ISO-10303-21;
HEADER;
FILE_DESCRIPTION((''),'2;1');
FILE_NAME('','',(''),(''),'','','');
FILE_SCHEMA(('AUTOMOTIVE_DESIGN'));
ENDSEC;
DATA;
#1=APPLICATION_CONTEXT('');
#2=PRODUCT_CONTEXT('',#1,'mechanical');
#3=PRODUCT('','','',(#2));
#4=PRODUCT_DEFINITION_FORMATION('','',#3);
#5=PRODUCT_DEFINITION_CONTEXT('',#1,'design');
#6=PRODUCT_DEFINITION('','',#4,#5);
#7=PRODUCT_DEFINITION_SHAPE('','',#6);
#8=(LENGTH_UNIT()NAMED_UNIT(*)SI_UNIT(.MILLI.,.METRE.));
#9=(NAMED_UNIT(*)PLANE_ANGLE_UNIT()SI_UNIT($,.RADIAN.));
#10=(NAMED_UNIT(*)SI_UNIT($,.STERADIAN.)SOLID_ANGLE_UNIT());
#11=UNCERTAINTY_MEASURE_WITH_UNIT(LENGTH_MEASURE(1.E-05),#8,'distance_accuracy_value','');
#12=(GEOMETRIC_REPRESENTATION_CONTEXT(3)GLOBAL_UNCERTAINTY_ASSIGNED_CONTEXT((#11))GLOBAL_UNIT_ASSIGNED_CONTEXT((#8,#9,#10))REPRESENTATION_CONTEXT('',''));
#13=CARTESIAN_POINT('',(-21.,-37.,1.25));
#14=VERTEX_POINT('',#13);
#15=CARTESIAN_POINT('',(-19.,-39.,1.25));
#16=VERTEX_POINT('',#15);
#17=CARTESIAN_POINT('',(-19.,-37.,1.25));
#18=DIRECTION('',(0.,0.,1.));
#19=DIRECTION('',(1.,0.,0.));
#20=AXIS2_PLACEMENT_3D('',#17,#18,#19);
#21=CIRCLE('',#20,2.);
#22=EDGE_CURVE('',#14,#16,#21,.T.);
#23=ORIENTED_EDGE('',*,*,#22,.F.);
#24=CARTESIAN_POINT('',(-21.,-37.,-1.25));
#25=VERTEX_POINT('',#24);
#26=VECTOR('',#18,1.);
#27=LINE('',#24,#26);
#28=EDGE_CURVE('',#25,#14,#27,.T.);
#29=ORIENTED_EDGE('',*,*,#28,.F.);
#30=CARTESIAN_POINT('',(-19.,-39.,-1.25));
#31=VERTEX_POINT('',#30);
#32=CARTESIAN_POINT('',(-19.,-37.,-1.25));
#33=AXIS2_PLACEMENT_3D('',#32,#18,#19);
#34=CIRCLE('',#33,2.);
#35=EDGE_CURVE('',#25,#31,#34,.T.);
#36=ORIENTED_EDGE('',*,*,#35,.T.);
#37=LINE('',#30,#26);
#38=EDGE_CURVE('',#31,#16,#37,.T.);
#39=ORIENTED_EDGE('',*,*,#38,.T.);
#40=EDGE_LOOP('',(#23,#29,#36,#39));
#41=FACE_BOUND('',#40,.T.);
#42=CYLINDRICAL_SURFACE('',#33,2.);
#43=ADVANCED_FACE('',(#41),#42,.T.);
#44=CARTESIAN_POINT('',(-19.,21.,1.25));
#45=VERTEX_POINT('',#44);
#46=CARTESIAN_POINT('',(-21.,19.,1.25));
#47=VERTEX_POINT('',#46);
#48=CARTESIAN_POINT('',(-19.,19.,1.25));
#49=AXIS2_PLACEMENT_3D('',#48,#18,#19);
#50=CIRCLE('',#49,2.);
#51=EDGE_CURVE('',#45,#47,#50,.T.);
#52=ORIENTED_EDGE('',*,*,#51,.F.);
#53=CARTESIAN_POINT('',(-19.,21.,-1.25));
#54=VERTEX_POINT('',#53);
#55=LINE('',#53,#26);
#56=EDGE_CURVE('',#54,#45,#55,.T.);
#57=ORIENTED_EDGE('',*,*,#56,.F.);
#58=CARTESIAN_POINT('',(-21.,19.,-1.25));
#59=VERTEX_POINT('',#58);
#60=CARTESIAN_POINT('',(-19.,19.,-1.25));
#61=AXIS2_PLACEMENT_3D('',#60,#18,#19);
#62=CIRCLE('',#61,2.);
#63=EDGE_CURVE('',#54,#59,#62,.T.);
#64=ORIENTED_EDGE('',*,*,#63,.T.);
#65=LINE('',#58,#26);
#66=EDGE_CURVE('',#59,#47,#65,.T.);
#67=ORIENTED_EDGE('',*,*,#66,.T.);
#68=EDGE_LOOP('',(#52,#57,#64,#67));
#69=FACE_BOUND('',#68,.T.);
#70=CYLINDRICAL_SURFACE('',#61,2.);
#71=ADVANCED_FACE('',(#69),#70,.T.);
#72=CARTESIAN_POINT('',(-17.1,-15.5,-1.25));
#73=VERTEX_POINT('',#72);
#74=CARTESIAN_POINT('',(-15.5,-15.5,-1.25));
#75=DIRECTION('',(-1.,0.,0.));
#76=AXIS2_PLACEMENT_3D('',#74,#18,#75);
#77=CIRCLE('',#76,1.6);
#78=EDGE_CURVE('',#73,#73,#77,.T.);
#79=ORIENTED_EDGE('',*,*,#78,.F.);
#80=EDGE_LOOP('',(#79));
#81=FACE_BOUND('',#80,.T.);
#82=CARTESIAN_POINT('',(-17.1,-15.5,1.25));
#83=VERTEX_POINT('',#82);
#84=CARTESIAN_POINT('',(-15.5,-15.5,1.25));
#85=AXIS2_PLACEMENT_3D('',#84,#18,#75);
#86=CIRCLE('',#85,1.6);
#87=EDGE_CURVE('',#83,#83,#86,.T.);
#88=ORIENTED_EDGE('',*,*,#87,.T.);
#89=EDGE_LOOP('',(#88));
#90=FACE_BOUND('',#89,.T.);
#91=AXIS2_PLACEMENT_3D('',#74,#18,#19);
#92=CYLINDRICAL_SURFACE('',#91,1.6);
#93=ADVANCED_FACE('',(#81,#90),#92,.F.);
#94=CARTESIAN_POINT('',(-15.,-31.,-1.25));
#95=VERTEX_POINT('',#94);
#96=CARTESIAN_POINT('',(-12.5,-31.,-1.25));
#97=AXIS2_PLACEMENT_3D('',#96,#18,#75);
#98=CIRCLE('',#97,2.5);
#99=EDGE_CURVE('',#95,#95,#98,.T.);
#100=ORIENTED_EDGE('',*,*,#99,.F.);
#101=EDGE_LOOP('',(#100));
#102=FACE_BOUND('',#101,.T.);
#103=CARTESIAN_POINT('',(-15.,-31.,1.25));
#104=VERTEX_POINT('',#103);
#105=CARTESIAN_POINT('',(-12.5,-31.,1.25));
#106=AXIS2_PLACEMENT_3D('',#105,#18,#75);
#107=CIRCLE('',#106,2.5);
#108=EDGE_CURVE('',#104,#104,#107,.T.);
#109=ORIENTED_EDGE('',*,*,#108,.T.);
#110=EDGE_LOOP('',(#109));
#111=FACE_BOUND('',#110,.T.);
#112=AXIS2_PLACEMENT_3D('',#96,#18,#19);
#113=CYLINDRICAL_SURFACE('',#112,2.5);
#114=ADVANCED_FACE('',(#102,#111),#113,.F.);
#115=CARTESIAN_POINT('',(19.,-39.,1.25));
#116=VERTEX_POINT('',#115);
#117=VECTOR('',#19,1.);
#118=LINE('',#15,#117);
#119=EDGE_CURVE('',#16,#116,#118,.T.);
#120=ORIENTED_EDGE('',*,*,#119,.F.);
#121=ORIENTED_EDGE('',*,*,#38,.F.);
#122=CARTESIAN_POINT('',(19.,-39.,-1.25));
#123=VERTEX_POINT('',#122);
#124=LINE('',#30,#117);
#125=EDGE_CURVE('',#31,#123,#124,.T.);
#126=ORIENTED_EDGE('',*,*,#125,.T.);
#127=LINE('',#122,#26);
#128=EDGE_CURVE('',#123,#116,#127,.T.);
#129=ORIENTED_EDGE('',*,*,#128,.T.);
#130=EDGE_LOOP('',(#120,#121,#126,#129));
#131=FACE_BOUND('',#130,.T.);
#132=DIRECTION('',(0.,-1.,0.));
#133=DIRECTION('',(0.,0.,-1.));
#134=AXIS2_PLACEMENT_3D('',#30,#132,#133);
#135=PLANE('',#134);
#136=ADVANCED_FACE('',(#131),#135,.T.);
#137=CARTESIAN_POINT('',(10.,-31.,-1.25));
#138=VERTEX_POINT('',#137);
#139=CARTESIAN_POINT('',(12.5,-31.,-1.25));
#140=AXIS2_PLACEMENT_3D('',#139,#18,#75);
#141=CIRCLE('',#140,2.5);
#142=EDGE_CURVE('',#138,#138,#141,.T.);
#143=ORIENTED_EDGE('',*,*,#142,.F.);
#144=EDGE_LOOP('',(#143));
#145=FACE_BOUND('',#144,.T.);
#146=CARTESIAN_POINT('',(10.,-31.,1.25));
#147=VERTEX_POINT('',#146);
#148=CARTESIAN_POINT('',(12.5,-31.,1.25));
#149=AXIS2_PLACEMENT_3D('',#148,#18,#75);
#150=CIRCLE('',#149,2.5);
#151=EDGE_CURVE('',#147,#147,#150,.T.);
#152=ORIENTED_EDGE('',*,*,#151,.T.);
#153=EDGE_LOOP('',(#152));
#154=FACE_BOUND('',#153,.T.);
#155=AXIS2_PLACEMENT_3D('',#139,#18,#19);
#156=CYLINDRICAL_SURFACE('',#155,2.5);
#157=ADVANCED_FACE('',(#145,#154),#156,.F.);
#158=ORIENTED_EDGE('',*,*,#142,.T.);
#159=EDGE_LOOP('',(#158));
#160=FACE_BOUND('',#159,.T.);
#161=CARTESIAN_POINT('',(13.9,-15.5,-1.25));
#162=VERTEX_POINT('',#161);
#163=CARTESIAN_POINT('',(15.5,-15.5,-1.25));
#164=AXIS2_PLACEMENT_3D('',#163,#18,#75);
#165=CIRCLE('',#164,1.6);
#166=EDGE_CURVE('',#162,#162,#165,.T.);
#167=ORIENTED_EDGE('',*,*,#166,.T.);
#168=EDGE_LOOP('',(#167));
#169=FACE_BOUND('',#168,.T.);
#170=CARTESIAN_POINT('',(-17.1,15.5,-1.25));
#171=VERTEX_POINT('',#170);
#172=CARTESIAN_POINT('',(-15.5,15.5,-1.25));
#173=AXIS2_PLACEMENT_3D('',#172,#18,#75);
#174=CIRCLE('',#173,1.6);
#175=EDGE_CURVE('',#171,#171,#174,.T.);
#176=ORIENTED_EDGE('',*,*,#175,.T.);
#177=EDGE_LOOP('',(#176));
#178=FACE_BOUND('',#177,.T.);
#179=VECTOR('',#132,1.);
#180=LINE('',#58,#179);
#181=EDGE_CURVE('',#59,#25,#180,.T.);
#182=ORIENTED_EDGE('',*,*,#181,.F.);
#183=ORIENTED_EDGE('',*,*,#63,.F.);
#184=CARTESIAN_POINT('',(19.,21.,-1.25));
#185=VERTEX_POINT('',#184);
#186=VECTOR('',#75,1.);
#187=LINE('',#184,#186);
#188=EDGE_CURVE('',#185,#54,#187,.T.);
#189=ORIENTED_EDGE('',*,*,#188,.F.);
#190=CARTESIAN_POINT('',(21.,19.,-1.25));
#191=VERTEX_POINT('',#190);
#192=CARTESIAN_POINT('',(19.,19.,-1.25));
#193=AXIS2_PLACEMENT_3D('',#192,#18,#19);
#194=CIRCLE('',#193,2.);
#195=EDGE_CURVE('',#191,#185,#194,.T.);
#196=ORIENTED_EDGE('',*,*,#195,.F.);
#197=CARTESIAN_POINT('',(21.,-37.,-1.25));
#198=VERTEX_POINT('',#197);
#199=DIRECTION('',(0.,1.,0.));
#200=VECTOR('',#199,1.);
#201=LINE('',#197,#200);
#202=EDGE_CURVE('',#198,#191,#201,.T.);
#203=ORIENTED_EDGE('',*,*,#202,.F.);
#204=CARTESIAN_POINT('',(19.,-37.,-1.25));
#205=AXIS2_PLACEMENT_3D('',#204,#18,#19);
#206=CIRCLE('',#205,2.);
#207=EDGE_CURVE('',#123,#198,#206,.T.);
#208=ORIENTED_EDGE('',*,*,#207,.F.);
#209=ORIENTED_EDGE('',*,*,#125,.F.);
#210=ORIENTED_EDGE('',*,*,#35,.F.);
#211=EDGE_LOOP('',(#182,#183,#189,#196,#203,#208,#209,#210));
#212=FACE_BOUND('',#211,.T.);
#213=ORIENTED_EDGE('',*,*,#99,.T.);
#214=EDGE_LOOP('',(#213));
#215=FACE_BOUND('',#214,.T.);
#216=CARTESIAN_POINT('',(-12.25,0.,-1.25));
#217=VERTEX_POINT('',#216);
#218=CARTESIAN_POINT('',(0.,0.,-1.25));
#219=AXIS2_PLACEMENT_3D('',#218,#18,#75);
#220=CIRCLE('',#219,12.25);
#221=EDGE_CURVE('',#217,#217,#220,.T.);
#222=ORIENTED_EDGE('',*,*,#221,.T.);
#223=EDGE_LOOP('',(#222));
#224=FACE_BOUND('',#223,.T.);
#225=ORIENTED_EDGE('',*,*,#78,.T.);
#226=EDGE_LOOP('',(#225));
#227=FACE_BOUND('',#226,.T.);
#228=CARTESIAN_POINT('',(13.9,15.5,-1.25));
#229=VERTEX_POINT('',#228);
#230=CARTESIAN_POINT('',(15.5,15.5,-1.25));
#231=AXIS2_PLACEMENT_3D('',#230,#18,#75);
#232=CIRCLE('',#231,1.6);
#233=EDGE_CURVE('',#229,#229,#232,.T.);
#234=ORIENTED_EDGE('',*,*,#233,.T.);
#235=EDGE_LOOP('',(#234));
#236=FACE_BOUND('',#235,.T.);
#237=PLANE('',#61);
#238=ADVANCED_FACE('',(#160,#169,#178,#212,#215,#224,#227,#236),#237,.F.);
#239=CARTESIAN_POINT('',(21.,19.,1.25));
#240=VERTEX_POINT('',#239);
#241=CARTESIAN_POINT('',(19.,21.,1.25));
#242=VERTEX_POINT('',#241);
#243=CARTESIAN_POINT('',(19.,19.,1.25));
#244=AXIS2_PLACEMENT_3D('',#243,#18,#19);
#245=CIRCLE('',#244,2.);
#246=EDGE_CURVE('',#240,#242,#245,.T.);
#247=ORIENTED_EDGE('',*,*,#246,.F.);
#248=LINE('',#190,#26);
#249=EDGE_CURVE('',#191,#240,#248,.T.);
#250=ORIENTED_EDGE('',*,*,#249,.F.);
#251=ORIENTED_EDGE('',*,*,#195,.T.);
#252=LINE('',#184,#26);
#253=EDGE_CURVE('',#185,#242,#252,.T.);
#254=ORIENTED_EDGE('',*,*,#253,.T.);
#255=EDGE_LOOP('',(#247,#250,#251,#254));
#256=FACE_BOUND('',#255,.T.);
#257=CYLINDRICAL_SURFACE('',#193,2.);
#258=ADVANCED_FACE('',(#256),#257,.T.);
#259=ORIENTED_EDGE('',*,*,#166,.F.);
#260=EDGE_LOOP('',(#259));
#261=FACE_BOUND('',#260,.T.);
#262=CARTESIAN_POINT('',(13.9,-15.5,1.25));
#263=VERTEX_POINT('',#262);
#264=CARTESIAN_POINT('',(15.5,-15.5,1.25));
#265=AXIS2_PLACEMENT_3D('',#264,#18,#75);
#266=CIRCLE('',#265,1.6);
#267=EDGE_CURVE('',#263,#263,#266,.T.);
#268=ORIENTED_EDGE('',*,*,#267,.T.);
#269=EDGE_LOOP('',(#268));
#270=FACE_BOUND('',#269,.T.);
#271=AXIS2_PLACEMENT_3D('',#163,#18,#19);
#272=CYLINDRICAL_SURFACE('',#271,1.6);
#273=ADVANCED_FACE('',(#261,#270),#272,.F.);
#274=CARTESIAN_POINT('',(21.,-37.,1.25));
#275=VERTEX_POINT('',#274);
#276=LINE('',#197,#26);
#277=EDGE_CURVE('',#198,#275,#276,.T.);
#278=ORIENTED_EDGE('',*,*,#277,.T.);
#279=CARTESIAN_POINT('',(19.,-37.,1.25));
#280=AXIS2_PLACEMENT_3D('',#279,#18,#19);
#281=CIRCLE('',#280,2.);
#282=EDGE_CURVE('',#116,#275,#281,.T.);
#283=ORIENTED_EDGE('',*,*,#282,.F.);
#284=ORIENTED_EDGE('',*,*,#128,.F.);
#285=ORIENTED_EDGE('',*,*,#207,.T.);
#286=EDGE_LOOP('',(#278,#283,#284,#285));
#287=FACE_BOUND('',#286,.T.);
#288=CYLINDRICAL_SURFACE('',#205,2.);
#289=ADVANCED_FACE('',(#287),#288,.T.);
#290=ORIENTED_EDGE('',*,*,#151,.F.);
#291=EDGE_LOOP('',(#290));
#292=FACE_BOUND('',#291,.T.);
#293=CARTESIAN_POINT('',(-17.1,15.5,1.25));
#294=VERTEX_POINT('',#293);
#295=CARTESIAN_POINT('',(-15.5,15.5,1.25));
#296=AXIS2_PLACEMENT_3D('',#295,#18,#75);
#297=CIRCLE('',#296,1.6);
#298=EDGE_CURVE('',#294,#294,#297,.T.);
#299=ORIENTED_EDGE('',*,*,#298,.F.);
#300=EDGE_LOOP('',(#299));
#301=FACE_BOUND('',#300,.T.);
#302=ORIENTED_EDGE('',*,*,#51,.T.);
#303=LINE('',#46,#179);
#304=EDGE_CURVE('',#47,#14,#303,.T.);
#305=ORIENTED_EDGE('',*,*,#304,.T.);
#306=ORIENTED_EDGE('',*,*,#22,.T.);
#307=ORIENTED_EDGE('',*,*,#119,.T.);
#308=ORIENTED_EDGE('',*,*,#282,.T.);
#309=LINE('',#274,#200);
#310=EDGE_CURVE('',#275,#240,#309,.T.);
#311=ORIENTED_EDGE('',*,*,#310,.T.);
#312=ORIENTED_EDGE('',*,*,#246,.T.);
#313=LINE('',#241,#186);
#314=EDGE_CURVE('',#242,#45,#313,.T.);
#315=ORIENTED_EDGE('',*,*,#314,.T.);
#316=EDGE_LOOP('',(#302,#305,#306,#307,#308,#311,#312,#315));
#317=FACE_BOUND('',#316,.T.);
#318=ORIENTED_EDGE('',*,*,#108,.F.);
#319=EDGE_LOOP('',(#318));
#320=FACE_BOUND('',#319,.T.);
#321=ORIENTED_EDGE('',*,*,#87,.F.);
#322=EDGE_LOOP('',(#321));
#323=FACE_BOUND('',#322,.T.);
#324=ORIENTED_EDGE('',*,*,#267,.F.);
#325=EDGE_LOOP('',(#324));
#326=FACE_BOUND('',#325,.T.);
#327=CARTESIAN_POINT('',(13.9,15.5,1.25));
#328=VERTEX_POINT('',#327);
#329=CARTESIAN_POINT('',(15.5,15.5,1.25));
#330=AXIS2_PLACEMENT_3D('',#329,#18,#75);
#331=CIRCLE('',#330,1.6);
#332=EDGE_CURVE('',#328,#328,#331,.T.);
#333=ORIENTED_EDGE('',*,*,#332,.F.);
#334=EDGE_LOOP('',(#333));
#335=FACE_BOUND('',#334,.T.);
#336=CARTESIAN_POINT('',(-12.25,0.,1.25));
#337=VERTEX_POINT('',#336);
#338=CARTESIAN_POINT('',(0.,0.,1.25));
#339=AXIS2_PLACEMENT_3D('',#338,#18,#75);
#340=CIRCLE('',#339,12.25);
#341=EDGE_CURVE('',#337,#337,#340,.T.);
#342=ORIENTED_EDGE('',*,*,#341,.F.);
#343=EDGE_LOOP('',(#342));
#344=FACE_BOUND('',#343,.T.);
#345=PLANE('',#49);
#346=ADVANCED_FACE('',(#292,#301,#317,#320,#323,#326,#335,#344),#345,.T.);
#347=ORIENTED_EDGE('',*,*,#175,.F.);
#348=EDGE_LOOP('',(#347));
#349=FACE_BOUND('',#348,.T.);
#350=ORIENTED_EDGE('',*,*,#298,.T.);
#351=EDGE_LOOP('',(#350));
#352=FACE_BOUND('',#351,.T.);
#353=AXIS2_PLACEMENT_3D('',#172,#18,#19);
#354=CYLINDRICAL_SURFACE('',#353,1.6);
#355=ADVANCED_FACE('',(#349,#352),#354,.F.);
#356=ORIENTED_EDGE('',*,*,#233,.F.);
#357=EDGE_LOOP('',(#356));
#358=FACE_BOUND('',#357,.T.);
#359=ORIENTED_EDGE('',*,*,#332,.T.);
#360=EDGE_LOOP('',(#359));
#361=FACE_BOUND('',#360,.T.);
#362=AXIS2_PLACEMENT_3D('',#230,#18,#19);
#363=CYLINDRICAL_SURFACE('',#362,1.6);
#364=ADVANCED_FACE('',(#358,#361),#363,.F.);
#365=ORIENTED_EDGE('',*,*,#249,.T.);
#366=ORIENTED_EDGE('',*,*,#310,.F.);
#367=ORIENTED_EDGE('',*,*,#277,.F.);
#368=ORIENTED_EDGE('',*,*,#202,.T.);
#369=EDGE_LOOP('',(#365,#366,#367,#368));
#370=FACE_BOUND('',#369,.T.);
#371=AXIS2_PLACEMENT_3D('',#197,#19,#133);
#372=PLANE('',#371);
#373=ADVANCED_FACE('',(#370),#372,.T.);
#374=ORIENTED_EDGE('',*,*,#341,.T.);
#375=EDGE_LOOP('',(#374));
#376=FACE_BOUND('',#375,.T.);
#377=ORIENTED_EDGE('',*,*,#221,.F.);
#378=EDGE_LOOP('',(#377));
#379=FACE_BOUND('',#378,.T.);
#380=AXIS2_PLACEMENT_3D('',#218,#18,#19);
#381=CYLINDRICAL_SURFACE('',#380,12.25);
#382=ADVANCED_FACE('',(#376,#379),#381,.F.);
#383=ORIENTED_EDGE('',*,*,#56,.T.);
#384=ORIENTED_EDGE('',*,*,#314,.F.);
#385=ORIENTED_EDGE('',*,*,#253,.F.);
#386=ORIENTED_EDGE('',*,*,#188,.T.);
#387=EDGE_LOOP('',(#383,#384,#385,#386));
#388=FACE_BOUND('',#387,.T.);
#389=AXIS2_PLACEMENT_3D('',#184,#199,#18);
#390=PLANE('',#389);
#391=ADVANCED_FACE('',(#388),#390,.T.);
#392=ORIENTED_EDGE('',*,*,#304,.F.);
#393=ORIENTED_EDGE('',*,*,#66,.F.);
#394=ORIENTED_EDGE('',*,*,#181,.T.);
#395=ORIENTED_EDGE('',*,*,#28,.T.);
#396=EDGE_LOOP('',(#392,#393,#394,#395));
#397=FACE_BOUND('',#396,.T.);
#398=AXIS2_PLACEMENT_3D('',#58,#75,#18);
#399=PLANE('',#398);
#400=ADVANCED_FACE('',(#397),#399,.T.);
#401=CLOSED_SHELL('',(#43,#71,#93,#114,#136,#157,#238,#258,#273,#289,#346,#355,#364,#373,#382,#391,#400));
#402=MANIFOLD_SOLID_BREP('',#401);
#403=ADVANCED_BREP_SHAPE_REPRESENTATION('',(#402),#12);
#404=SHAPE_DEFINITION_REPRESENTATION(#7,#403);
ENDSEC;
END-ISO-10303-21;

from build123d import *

# Parameters (mm, degrees)
SKETCH1_R           = 2.5
SKETCH1_R_2         = 1.6
SKETCH1_R_3         = 12.25
BOSS_EXTRUDE1_DEPTH = 2.5


with BuildPart() as part:
    # Sketch1 → Boss-Extrude1 (new body)
    with BuildSketch(Plane.XY.offset(1.25)):
        with BuildLine():
            Line((-21, 19), (-21, -37))
            ThreePointArc((-21, -37), (-20.414213562, -38.414213562), (-19, -39))
            Line((-19, -39), (19, -39))
            ThreePointArc((19, -39), (20.414213562, -38.414213562), (21, -37))
            Line((21, -37), (21, 19))
            ThreePointArc((21, 19), (20.414213562, 20.414213562), (19, 21))
            Line((19, 21), (-19, 21))
            ThreePointArc((-19, 21), (-20.414213562, 20.414213562), (-21, 19))
        make_face()
        with Locations((-12.5, -31)):
            Circle(SKETCH1_R, mode=Mode.SUBTRACT)
        with Locations((-15.5, 15.5)):
            Circle(SKETCH1_R_2, mode=Mode.SUBTRACT)
        with Locations((15.5, -15.5)):
            Circle(SKETCH1_R_2, mode=Mode.SUBTRACT)
        Circle(SKETCH1_R_3, mode=Mode.SUBTRACT)
        with Locations((-15.5, -15.5)):
            Circle(SKETCH1_R_2, mode=Mode.SUBTRACT)
        with Locations((15.5, 15.5)):
            Circle(SKETCH1_R_2, mode=Mode.SUBTRACT)
        with Locations((12.5, -31)):
            Circle(SKETCH1_R, mode=Mode.SUBTRACT)
    extrude(amount=-BOSS_EXTRUDE1_DEPTH)


solid = part.part
